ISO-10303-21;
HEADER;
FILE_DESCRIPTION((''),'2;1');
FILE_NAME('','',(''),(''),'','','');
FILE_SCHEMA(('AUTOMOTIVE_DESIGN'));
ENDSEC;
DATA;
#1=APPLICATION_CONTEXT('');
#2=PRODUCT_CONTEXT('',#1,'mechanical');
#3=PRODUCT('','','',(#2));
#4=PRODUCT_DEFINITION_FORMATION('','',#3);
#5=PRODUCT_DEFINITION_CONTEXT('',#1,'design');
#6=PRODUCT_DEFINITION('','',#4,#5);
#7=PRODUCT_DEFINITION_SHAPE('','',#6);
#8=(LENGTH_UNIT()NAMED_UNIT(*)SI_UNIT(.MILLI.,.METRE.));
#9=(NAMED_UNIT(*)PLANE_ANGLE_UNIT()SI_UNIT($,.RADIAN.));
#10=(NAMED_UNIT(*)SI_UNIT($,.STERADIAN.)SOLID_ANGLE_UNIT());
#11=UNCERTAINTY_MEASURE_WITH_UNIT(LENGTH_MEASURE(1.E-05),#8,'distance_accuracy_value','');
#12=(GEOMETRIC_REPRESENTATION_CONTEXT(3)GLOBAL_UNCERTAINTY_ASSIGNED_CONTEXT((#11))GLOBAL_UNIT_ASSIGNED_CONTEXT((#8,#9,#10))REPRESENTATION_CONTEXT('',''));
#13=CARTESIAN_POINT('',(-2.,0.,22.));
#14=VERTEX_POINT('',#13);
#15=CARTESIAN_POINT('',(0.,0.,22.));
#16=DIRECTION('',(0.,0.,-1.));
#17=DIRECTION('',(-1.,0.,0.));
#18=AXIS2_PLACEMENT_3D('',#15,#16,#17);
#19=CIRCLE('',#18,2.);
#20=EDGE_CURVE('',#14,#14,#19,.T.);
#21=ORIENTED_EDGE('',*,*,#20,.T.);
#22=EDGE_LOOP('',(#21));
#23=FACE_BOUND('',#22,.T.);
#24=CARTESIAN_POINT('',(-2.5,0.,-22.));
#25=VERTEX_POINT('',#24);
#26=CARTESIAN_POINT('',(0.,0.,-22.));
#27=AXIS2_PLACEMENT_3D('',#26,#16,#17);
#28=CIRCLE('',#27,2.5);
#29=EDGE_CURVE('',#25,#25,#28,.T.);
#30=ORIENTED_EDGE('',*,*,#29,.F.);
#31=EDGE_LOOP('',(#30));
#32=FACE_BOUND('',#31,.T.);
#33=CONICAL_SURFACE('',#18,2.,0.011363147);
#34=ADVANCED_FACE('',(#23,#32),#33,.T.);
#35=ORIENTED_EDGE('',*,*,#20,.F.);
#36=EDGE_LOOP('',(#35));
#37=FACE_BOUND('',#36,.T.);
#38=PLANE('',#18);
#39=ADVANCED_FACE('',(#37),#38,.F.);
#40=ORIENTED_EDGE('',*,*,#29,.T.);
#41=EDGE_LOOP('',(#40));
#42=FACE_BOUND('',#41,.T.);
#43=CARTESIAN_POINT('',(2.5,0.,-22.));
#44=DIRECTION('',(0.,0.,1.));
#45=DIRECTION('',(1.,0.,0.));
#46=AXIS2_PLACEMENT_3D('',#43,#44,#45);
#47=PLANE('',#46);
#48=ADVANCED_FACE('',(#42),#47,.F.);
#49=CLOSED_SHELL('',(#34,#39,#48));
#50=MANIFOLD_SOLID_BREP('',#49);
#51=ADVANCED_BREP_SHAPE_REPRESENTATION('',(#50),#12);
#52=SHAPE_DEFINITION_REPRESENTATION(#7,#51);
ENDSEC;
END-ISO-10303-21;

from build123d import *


with BuildPart() as part:
    # Sketch1 → Revolve1 (revolve)
    with BuildSketch(Plane(origin=(0, 0, 0), x_dir=(1, 0, 0), z_dir=(0, 1, 0))):
        Polygon((0, 22), (0, -22), (2, -22), (2.5, 22), align=None)
    revolve(axis=Axis((0, 0, -92.737159153), (0, 0, 1)))


solid = part.part
